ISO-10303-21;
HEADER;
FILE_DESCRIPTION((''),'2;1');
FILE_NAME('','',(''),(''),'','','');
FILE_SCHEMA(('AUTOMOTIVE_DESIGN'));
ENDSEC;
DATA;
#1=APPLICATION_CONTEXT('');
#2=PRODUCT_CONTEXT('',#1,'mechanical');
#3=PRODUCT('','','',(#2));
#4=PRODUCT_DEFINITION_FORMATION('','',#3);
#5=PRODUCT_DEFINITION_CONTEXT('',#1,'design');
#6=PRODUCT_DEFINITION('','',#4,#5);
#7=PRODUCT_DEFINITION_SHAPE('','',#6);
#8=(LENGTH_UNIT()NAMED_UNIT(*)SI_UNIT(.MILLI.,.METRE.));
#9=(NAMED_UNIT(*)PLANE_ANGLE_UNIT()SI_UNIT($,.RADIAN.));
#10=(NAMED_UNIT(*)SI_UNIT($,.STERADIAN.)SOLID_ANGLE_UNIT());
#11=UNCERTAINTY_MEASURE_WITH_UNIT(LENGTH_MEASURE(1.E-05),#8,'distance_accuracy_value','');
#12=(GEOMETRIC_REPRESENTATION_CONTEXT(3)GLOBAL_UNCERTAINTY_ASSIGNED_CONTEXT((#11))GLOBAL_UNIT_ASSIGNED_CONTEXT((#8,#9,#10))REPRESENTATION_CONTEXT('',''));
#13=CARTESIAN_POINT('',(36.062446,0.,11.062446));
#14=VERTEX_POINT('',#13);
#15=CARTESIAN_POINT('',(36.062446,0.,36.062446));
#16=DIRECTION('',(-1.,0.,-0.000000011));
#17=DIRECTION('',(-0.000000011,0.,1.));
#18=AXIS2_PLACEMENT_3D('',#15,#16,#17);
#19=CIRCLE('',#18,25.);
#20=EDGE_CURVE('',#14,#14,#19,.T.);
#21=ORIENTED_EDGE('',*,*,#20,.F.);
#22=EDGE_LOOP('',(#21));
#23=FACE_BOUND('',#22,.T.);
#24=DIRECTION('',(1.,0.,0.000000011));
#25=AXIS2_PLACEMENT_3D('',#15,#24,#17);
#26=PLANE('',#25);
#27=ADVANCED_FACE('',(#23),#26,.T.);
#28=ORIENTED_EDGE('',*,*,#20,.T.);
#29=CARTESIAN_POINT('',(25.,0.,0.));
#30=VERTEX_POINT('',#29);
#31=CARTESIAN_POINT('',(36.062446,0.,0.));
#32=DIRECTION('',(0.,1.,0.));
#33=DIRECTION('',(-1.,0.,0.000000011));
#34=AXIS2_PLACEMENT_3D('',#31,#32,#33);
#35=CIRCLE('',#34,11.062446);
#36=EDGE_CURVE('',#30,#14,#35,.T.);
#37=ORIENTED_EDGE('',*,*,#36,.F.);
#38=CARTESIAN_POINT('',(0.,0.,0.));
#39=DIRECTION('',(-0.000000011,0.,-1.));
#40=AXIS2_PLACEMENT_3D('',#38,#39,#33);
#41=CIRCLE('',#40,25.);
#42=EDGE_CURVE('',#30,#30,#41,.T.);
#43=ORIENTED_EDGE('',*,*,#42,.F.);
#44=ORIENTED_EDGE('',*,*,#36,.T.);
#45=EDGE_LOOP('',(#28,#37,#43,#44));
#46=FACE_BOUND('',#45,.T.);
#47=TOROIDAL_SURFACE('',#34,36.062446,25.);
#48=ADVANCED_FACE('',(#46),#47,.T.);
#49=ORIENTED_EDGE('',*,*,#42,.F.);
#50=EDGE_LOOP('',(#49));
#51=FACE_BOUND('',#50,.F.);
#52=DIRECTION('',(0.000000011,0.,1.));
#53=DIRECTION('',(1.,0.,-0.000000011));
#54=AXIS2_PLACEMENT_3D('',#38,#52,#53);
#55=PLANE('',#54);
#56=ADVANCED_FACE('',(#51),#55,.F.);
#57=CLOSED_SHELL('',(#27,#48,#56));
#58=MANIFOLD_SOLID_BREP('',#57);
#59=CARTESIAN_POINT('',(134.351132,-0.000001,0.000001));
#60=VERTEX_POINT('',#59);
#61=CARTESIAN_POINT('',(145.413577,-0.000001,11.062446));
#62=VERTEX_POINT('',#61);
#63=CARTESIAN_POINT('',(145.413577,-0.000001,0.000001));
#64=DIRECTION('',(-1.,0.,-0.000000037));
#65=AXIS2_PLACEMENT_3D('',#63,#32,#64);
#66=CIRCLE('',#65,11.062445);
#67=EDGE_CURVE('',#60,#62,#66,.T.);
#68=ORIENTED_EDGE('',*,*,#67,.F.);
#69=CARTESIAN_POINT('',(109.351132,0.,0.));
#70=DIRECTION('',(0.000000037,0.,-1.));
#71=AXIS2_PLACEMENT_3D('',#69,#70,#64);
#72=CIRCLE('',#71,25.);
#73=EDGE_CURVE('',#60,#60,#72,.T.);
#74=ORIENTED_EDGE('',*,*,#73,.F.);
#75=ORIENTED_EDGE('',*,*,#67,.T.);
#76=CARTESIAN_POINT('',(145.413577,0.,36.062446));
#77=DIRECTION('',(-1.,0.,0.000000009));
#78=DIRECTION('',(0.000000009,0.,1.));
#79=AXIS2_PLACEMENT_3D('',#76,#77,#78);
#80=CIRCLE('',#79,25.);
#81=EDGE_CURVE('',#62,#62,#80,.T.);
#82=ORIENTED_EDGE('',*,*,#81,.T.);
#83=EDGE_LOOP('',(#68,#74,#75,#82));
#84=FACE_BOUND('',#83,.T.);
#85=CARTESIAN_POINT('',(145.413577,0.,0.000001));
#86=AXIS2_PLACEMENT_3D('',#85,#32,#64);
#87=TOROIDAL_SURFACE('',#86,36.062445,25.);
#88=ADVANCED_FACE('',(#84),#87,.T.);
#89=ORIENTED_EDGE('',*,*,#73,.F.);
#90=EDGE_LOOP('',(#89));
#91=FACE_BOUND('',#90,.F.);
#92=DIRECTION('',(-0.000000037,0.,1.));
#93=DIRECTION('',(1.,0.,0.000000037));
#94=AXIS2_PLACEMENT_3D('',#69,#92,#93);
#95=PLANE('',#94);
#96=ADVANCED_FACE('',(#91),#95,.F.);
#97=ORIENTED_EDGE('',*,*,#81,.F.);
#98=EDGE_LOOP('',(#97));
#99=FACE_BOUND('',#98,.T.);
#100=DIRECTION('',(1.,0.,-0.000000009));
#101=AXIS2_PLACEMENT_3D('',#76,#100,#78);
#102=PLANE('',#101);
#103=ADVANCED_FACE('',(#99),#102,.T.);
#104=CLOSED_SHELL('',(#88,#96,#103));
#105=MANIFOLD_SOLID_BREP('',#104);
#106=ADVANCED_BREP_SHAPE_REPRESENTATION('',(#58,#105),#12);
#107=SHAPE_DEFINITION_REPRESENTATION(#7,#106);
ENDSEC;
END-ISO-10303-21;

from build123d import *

# Parameters (mm, degrees)
F0_R = 25
F3_R = 25


with BuildPart() as f2:
    # F2: sweep along a path in F1
    with BuildLine(Plane.XZ) as f2_path:
        ThreePointArc((0, 0), (10.562446, 25.5), (36.062446, 36.062446))
    # F0 (on Top) → F2 (sweep)
    with BuildSketch(Plane.XY):
        Circle(F0_R)
    sweep(path=f2_path.line)


with BuildPart() as f5:
    # F5: sweep along a path in F4
    with BuildLine(Plane.XZ) as f5_path:
        ThreePointArc((109.351132, 0), (119.913577, 25.5), (145.413577, 36.062446))
    # F3 (on Top) → F5 (sweep)
    with BuildSketch(Plane.XY):
        with Locations((109.351132, 0)):
            Circle(F3_R)
    sweep(path=f5_path.line)


solid = Compound([f2.part, f5.part])
